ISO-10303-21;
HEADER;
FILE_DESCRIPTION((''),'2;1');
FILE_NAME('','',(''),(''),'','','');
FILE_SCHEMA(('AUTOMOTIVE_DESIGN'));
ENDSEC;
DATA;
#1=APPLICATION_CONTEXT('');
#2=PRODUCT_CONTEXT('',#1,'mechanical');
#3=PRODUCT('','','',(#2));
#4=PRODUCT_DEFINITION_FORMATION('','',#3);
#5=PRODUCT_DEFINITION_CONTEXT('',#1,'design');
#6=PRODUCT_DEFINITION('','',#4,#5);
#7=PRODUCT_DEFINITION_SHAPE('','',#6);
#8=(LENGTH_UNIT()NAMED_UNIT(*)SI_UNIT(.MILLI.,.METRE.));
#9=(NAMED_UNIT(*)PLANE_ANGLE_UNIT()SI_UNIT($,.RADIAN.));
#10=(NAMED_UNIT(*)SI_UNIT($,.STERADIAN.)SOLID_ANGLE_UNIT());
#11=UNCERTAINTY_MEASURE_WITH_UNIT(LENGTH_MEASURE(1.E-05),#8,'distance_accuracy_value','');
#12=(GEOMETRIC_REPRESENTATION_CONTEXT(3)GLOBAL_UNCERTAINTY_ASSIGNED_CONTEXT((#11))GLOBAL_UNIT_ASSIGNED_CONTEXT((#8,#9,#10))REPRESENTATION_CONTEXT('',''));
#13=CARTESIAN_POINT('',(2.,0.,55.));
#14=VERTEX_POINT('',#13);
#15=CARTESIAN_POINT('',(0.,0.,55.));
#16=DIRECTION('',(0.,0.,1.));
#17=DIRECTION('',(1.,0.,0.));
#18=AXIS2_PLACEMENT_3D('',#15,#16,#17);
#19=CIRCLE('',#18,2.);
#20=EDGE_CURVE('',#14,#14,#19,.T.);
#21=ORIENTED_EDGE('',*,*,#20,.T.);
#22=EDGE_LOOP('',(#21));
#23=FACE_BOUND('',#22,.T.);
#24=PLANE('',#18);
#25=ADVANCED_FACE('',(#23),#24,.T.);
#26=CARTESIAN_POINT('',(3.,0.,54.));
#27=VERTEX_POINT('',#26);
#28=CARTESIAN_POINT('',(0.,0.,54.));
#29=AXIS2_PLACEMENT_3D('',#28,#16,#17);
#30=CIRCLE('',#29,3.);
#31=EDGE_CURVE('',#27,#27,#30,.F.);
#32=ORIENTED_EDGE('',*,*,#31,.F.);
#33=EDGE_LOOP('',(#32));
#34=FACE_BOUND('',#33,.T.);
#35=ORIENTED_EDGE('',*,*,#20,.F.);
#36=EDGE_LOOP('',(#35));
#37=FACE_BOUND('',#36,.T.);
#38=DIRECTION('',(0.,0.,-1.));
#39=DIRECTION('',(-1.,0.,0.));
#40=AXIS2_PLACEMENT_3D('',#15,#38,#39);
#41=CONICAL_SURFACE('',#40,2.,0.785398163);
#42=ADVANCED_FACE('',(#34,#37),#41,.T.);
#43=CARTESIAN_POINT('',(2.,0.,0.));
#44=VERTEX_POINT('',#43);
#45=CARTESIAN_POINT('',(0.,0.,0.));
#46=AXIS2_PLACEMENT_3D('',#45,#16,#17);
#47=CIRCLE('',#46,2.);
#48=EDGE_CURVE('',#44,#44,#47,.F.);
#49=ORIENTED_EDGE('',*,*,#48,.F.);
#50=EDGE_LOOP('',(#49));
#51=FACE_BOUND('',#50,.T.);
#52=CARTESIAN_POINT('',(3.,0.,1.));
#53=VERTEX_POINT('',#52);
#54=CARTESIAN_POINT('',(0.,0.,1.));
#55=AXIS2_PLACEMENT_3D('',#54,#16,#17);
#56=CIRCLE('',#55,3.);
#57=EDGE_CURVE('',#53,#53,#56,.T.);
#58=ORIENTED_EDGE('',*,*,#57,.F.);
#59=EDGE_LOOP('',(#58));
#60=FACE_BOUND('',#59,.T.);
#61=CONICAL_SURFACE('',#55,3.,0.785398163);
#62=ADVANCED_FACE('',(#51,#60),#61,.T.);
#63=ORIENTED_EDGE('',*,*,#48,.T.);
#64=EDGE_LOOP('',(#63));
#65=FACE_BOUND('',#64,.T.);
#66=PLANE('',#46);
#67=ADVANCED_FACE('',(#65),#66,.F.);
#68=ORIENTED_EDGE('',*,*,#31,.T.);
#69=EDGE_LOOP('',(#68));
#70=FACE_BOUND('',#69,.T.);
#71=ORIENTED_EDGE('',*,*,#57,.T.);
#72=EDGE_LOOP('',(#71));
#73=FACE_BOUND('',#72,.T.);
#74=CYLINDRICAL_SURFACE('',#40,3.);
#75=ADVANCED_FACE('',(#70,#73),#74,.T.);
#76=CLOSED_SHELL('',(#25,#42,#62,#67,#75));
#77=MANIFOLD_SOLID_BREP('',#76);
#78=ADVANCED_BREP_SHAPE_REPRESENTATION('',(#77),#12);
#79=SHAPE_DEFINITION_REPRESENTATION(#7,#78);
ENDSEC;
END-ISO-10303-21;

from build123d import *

# Parameters (mm, degrees)
SKETCH1_R           = 3
BOSS_EXTRUDE1_DEPTH = 55
CHAMFER1_SIZE       = 1


with BuildPart() as part:
    # Sketch1 → Boss-Extrude1 (new body)
    with BuildSketch(Plane.XY):
        Circle(SKETCH1_R)
    extrude(amount=BOSS_EXTRUDE1_DEPTH)

    # Chamfer1
    chamfer1_edges = [part.edges().sort_by_distance(p)[0] for p in [
        (-3, 0, 0),
        (-3, 0, 55),
    ]]
    chamfer(chamfer1_edges, length=CHAMFER1_SIZE)


solid = part.part
